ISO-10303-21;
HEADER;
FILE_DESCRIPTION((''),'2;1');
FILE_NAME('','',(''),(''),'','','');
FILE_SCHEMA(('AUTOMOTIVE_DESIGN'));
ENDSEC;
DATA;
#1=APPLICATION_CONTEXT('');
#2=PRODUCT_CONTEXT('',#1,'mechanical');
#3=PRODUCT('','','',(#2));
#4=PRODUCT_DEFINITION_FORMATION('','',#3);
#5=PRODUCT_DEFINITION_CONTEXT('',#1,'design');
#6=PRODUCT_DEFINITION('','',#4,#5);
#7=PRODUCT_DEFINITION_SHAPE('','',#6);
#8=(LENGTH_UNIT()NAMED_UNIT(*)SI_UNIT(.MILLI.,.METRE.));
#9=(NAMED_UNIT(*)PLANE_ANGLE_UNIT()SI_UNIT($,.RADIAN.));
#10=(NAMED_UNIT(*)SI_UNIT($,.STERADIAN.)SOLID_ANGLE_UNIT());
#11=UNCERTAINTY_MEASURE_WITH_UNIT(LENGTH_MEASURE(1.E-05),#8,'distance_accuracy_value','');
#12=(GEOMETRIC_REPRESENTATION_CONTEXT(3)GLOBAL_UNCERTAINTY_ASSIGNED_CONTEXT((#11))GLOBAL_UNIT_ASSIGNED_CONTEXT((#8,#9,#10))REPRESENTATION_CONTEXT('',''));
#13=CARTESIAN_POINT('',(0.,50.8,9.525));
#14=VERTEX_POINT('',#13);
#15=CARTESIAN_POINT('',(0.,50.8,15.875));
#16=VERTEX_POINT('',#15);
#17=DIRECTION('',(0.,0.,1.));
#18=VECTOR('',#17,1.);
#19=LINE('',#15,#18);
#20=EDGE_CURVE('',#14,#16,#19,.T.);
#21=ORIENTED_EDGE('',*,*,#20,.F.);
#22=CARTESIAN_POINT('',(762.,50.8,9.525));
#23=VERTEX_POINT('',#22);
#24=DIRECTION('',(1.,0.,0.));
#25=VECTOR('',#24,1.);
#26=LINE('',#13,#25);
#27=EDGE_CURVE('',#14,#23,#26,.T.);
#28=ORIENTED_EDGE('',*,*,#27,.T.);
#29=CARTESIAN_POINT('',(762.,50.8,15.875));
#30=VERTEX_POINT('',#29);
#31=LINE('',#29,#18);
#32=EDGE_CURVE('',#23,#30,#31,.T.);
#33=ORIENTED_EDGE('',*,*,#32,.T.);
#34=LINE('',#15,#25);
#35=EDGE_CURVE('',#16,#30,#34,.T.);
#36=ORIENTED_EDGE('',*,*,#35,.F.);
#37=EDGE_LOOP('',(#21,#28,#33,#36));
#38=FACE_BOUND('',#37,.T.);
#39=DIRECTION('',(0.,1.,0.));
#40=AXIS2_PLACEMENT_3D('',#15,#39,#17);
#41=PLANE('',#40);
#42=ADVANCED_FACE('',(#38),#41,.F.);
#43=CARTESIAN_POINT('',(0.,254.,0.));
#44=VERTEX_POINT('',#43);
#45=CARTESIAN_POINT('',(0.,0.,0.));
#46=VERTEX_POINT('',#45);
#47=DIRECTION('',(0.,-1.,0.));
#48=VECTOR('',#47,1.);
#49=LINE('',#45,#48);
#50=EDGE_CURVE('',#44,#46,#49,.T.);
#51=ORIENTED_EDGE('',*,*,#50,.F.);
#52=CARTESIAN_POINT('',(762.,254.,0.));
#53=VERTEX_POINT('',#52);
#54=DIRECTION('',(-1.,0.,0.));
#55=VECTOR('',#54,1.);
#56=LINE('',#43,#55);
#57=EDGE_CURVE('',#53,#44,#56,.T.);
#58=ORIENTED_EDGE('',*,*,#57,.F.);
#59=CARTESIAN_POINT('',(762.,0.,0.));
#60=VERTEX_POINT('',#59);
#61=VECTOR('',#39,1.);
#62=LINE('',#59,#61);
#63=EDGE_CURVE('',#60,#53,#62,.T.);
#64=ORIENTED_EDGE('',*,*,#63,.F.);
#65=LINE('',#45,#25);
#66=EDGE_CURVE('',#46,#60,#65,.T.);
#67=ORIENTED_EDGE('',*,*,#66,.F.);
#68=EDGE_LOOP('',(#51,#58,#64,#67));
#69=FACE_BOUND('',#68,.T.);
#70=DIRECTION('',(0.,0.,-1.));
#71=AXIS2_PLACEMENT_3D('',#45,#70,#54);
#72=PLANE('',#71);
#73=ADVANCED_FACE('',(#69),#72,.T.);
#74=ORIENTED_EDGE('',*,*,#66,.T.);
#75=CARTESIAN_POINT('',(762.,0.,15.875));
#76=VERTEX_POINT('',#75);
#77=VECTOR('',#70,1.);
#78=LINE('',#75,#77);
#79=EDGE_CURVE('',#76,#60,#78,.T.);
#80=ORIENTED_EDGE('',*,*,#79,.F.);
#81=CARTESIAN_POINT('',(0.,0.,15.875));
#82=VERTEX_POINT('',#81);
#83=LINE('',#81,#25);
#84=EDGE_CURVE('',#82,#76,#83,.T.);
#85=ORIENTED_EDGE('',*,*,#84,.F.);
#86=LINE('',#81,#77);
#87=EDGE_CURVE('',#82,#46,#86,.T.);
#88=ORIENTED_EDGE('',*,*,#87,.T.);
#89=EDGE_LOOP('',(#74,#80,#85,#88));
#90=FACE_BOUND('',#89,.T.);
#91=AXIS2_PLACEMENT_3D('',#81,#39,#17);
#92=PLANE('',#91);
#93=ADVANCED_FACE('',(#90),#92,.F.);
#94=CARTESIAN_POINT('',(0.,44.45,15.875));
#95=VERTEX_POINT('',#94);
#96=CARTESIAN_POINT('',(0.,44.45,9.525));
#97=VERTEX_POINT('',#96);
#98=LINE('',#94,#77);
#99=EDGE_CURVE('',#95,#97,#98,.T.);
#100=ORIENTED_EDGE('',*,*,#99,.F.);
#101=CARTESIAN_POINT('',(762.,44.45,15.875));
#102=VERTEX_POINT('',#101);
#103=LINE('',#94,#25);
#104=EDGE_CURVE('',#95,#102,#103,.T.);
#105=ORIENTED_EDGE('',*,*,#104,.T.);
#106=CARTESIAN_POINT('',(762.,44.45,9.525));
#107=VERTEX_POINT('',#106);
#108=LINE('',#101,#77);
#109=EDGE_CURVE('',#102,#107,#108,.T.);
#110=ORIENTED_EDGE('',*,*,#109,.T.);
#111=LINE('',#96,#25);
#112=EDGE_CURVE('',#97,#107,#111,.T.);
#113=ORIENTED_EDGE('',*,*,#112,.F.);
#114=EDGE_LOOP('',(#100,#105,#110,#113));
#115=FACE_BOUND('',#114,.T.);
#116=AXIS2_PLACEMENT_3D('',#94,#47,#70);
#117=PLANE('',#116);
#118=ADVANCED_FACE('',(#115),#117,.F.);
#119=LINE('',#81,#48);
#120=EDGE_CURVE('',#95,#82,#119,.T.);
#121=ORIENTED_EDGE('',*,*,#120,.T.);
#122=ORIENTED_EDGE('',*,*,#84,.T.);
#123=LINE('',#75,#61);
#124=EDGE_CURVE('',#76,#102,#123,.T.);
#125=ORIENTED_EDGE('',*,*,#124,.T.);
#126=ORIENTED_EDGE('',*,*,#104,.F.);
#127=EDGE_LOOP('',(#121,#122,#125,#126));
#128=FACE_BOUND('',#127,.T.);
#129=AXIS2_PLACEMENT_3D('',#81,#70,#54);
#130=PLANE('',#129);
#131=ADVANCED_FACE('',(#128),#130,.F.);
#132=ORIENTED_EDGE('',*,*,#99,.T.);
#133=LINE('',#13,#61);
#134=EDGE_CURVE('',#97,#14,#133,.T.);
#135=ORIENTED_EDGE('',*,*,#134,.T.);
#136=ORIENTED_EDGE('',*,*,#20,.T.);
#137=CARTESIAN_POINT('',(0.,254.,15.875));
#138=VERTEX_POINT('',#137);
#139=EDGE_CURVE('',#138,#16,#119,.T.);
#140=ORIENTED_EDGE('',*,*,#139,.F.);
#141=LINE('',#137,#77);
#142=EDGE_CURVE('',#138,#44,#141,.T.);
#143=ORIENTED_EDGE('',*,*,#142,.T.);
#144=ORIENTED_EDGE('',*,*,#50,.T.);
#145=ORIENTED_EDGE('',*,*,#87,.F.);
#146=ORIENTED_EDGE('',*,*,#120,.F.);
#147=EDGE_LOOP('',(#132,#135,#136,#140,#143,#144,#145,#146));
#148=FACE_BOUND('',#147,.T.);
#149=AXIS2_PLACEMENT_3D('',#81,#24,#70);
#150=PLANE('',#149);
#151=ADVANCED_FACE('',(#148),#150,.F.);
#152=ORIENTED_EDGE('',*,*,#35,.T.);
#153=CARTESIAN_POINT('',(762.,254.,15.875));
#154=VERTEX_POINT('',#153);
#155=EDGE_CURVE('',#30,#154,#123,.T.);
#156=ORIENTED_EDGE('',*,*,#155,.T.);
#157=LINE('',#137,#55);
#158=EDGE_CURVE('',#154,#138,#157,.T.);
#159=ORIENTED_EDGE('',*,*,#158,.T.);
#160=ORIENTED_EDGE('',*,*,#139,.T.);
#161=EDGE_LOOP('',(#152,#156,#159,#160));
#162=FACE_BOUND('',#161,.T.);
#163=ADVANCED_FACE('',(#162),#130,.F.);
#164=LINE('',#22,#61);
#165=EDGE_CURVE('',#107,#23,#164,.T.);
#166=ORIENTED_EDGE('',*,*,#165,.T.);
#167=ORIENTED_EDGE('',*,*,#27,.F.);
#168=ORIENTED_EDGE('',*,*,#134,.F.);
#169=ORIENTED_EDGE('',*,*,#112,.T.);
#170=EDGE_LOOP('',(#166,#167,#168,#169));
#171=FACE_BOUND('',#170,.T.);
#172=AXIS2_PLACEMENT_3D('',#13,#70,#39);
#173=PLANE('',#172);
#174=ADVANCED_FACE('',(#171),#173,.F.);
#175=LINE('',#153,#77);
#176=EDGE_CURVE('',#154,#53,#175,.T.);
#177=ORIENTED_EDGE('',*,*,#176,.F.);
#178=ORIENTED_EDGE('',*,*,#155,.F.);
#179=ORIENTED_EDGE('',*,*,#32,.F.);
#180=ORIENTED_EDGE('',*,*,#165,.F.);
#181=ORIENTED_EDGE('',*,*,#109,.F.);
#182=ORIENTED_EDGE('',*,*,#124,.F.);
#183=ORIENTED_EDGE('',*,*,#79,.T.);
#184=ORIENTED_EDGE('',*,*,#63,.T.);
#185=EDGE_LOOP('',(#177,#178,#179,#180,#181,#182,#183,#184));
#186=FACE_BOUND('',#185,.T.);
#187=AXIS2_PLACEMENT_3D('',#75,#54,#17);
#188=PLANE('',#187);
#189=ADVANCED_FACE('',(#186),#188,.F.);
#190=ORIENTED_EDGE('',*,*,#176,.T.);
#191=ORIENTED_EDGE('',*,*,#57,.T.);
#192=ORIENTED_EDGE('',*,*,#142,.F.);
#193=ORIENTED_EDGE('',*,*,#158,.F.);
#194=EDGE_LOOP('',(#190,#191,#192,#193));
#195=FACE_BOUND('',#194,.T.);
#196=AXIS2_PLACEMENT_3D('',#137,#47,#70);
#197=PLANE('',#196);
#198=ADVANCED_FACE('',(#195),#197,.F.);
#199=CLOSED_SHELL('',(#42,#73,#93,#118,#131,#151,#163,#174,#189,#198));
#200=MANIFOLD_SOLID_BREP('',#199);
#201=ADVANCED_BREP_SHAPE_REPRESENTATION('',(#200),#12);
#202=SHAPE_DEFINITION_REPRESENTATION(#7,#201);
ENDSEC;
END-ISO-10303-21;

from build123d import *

# Parameters (mm, degrees)
SKETCH1_W           = 762
SKETCH1_H           = 254
BOSS_EXTRUDE1_DEPTH = 15.875
SKETCH2_W           = 6.35
SKETCH2_H           = 6.35
CUT_EXTRUDE1_DEPTH  = 763


with BuildPart() as part:
    # Sketch1 → Boss-Extrude1 (new body)
    with BuildSketch(Plane.XY):
        with Locations((381, 127)):
            Rectangle(SKETCH1_W, SKETCH1_H)
    extrude(amount=BOSS_EXTRUDE1_DEPTH)

    # Sketch2 → Cut-Extrude1 (cut, through all)
    with BuildSketch(Plane(origin=(762, 0, 0), x_dir=(0, 0, -1), z_dir=(1, 0, 0))):
        with Locations((-12.7, 47.625)):
            Rectangle(SKETCH2_W, SKETCH2_H)
    extrude(amount=-CUT_EXTRUDE1_DEPTH, mode=Mode.SUBTRACT)


solid = part.part
